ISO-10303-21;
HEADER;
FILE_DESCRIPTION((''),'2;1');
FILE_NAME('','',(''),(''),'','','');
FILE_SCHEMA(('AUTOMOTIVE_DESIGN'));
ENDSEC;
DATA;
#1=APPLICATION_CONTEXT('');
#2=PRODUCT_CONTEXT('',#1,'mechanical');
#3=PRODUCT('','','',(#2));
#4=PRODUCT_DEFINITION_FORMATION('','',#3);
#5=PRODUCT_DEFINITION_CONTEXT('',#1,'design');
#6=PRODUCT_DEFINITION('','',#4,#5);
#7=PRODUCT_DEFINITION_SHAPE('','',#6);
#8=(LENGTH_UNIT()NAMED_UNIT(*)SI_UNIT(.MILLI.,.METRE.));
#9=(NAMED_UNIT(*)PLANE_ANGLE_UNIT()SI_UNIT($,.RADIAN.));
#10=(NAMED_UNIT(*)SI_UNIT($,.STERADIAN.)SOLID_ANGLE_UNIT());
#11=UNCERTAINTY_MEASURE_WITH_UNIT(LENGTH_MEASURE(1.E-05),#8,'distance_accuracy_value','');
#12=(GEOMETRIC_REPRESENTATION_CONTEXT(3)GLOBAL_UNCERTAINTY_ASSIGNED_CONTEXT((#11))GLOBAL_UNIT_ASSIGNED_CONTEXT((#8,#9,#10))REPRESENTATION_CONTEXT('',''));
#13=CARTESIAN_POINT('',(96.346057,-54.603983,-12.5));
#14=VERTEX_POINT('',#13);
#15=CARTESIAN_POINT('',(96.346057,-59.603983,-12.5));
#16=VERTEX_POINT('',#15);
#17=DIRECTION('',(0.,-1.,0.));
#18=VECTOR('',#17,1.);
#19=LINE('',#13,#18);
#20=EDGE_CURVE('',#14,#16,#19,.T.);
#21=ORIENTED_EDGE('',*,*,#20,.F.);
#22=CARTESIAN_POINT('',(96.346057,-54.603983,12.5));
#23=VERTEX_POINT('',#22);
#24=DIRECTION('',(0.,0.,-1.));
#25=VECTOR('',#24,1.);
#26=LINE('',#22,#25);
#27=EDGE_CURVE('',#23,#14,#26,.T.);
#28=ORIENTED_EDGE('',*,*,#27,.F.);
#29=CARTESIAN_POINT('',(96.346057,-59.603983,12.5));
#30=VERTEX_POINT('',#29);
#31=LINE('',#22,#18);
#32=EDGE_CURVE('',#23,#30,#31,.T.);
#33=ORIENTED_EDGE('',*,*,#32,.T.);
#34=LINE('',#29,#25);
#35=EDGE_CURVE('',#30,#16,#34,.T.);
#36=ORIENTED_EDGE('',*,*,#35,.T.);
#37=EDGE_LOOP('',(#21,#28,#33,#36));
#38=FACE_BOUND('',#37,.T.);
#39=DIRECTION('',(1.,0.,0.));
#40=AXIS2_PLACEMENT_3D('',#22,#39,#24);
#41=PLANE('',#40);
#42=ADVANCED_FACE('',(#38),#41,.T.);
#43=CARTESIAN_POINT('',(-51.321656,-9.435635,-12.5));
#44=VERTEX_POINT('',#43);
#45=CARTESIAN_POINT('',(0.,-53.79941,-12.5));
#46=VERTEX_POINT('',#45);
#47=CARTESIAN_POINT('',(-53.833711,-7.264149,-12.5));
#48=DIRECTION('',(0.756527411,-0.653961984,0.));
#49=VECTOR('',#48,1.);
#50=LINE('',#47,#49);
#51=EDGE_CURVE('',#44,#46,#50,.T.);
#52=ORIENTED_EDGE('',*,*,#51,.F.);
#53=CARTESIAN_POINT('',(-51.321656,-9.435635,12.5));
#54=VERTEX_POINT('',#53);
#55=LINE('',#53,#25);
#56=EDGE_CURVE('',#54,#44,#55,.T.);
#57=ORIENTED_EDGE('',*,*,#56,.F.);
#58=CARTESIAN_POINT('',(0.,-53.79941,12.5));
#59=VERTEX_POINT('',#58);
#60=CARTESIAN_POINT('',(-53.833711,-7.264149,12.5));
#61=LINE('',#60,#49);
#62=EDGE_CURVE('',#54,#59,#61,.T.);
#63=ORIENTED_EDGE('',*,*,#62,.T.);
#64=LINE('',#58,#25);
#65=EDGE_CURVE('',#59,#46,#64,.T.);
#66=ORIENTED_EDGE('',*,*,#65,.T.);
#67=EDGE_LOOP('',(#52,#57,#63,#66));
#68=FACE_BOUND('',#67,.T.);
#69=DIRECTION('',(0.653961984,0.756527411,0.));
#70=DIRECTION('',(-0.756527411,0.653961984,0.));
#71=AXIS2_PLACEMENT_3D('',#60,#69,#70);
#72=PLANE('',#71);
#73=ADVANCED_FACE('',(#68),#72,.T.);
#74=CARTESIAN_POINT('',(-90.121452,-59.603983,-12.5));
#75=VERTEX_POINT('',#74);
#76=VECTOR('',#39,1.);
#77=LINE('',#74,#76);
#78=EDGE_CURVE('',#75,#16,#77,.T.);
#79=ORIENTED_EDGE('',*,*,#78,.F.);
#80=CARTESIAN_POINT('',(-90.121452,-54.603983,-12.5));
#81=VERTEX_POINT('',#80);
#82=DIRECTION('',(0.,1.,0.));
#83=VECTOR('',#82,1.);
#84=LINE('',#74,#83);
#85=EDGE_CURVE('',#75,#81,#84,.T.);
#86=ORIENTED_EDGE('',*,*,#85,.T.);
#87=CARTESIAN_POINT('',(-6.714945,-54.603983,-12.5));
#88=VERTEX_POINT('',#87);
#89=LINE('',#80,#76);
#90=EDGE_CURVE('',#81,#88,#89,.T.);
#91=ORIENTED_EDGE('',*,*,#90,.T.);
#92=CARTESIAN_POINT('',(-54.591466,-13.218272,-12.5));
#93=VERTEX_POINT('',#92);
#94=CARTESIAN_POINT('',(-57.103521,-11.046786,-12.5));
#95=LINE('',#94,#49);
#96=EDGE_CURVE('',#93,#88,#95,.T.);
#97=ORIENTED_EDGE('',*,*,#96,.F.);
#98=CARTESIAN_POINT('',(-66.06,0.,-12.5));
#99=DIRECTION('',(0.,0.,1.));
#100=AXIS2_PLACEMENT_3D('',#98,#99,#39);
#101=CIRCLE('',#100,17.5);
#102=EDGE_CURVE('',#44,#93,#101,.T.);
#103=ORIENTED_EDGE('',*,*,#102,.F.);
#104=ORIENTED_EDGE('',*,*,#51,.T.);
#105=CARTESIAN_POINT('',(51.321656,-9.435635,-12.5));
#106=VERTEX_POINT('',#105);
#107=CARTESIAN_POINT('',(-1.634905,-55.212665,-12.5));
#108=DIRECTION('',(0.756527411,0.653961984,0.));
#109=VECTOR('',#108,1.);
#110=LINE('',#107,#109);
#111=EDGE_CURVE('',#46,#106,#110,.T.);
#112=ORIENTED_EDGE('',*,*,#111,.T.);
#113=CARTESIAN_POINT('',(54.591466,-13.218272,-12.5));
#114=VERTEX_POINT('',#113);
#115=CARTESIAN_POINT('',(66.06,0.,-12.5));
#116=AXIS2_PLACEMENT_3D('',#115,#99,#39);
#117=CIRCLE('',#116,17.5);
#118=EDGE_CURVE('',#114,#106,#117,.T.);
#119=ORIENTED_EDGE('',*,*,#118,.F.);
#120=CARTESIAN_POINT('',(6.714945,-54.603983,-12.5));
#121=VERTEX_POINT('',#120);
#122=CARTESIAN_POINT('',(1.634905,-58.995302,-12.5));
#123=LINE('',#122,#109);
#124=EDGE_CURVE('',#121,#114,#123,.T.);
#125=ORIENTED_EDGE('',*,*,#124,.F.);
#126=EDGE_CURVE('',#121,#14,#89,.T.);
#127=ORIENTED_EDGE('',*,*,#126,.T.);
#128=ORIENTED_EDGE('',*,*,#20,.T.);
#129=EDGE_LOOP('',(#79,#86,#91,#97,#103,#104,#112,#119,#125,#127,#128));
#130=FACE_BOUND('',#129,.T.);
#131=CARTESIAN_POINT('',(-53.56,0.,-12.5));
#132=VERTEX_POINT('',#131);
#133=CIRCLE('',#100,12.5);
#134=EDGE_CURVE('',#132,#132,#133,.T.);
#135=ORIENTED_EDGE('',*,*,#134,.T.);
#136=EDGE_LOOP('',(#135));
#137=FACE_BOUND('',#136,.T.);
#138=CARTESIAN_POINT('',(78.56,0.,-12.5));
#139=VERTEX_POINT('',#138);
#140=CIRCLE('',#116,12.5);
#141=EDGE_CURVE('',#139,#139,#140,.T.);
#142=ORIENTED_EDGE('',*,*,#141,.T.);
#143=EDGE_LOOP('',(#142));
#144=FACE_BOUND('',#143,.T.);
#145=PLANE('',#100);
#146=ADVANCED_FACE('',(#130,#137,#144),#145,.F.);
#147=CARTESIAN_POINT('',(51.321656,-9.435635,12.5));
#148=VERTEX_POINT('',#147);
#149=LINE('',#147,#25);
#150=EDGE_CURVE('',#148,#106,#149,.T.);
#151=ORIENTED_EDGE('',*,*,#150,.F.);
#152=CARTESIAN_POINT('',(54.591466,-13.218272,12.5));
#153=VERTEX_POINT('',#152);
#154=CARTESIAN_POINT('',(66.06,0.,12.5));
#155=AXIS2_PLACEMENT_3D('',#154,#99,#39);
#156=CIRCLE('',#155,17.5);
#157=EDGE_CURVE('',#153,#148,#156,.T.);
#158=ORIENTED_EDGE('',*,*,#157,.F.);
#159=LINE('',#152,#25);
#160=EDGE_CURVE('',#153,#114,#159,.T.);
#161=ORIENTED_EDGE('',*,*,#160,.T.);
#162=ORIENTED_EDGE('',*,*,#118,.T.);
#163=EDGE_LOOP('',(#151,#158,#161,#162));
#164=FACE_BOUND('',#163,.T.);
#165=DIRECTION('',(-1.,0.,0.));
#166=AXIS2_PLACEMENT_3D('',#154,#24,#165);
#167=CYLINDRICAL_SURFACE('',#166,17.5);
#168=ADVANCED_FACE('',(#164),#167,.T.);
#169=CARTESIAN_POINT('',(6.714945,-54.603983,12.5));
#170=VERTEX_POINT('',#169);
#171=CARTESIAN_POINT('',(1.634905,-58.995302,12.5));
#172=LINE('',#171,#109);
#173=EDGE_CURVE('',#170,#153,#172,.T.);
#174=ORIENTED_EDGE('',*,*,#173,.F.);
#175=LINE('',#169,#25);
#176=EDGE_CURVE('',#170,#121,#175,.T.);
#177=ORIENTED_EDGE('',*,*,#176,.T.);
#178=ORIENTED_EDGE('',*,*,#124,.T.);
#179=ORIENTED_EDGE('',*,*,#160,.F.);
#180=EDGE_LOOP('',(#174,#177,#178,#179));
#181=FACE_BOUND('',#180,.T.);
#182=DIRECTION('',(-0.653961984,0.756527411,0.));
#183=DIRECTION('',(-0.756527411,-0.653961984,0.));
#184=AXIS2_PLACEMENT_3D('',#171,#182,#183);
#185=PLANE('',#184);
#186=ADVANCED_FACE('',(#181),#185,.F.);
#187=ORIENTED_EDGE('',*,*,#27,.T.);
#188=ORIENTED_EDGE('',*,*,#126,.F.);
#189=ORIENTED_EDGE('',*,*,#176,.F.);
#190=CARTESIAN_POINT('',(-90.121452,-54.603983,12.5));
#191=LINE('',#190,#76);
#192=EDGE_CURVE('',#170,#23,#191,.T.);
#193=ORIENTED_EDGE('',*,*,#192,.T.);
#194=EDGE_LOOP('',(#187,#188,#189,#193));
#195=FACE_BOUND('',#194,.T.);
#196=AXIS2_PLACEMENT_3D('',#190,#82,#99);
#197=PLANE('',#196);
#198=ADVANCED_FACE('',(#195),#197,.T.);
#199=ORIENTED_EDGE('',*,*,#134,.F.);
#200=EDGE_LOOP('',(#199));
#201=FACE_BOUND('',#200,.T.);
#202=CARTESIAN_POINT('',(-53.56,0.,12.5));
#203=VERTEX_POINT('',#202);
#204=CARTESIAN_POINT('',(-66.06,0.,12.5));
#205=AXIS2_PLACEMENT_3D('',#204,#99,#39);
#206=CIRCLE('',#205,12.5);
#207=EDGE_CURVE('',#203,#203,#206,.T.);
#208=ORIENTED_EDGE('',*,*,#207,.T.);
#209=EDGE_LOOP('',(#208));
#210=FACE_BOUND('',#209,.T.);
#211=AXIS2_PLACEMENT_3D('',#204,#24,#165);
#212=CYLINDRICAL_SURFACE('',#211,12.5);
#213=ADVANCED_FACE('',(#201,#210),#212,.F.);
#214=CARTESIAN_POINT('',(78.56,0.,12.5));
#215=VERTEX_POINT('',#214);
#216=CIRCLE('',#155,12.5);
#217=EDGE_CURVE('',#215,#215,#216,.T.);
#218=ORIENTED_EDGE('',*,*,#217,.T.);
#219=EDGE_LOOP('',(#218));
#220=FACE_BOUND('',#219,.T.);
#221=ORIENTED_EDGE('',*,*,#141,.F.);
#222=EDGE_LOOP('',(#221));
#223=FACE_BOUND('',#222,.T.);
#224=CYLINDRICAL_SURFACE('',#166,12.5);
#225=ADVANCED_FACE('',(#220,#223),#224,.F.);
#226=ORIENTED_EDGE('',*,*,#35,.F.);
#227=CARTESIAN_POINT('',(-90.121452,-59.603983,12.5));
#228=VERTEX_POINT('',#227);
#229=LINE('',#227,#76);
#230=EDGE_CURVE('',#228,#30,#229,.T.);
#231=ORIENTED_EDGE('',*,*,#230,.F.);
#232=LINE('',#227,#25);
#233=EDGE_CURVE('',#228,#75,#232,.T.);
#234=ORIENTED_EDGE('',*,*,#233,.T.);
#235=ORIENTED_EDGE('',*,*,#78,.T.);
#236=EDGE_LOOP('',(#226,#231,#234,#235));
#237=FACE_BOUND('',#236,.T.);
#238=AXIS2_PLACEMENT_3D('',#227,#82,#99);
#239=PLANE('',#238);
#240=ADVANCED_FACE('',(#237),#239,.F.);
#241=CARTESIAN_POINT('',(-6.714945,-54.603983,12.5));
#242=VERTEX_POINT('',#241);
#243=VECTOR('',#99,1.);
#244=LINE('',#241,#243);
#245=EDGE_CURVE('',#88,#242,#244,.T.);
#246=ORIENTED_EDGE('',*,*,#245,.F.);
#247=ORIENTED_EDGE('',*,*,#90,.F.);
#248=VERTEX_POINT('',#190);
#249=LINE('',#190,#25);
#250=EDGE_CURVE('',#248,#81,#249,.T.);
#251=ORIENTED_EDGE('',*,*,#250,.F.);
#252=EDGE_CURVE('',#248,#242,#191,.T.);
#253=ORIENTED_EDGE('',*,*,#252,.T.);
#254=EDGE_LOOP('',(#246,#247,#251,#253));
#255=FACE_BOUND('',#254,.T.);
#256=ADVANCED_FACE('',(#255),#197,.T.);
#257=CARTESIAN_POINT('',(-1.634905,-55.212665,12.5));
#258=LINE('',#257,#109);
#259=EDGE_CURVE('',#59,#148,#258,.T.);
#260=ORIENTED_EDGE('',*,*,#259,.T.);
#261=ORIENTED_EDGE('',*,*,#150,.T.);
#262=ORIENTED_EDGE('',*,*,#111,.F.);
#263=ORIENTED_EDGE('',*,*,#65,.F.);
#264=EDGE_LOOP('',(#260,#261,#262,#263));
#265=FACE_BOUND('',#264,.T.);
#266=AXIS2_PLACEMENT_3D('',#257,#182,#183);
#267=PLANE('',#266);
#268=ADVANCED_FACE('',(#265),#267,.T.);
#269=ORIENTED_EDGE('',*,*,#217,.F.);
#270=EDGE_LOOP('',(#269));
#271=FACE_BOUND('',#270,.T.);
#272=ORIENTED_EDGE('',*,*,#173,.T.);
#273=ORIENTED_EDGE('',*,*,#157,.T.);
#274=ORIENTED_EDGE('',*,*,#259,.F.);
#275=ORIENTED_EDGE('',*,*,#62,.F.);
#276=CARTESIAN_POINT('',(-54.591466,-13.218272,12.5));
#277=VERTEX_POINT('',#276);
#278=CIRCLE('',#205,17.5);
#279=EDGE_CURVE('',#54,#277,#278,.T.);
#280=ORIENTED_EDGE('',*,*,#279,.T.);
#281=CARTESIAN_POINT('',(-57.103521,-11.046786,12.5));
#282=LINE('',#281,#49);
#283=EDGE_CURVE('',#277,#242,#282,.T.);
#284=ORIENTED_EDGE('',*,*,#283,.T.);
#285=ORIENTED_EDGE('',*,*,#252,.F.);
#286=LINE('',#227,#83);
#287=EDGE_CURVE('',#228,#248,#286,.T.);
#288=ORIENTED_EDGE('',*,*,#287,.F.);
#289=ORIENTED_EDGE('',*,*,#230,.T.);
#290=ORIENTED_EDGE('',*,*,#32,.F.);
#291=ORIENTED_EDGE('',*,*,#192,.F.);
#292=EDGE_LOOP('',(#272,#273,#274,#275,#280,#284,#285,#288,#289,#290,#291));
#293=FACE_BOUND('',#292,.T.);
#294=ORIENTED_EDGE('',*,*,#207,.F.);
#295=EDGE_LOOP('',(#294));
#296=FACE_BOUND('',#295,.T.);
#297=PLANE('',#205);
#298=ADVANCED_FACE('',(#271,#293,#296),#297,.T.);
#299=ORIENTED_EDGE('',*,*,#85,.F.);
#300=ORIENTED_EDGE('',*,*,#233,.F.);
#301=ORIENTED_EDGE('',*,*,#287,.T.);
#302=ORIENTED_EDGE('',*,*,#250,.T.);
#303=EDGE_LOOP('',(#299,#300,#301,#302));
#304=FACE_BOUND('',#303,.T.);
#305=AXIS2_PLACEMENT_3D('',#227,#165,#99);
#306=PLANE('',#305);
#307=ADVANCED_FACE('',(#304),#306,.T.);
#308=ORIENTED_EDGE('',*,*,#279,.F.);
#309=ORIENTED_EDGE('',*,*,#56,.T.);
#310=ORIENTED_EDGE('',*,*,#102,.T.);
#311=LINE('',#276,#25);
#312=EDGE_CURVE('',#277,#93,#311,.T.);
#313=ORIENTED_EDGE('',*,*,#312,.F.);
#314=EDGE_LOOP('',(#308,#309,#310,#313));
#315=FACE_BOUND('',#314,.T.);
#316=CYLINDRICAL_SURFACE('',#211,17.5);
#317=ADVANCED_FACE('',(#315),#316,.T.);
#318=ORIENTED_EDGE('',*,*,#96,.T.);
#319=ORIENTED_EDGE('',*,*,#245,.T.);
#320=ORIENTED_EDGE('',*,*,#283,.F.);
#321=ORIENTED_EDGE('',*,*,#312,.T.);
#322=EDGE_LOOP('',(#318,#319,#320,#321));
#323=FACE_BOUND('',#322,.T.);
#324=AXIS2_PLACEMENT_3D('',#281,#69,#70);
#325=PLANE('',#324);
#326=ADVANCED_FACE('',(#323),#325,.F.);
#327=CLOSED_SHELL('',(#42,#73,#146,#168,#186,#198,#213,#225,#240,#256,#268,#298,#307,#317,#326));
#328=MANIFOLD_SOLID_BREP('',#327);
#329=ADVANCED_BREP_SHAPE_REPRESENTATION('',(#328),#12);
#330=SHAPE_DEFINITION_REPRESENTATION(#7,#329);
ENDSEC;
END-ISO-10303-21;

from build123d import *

# Parameters (mm, degrees)
SKETCH1_R               = 17.5
SKETCH1_R_2             = 12.5
EXTRUDE_THIN1_DEPTH     = 12.5
EXTRUDE_THIN1_2_DEPTH   = 12.5
SKETCH2_W               = 186.467509327
SKETCH2_H               = 5
EXTRUDE_THIN2_DEPTH     = 12.5
SKETCH3_W               = 9.044887752
SKETCH3_H               = 4.781773829
CUT_EXTRUDE1_DEPTH      = 13.5
CUT_EXTRUDE1_DEPTH_BACK = 13.5


with BuildPart() as part:
    # Sketch1 → Extrude-Thin1 (new body, symmetric)
    with BuildSketch(Plane.XY):
        with Locations((-66.06, 0)):
            Circle(SKETCH1_R)
        with Locations((-66.06, 0)):
            Circle(SKETCH1_R_2, mode=Mode.SUBTRACT)
    extrude(amount=EXTRUDE_THIN1_DEPTH, both=True)



with BuildPart() as body_2:
    # Sketch1 → Extrude-Thin1 2 (new body, symmetric)
    with BuildSketch(Plane.XY):
        with Locations((66.06, 0)):
            Circle(SKETCH1_R)
        with Locations((66.06, 0)):
            Circle(SKETCH1_R_2, mode=Mode.SUBTRACT)
    extrude(amount=EXTRUDE_THIN1_2_DEPTH, both=True)


with BuildPart() as part_1:
    add(part.part)

    add(body_2.part)  # Extrude-Thin2 merges body 2
    # Sketch2 → Extrude-Thin2 (add, symmetric)
    with BuildSketch(Plane.XY):
        Polygon((-57.1035212, -11.046786298), (0, -60.408556187), (56.960039317, -11.170815772), (53.690229399, -7.388178716), (0, -53.799410338), (-53.833711283, -7.264149241), align=None)
        with Locations((3.112302406, -57.103983263)):
            Rectangle(SKETCH2_W, SKETCH2_H)
    extrude(amount=EXTRUDE_THIN2_DEPTH, both=True)

    # Sketch3 → Cut-Extrude1 (cut, two sides)
    with BuildSketch(Plane.XY) as cut_extrude1_sk:
        with Locations((0.087674805, -61.994870178)):
            Rectangle(SKETCH3_W, SKETCH3_H)
    extrude(amount=CUT_EXTRUDE1_DEPTH, mode=Mode.SUBTRACT)
    extrude(cut_extrude1_sk.sketch, amount=-CUT_EXTRUDE1_DEPTH_BACK, mode=Mode.SUBTRACT)


solid = part_1.part
